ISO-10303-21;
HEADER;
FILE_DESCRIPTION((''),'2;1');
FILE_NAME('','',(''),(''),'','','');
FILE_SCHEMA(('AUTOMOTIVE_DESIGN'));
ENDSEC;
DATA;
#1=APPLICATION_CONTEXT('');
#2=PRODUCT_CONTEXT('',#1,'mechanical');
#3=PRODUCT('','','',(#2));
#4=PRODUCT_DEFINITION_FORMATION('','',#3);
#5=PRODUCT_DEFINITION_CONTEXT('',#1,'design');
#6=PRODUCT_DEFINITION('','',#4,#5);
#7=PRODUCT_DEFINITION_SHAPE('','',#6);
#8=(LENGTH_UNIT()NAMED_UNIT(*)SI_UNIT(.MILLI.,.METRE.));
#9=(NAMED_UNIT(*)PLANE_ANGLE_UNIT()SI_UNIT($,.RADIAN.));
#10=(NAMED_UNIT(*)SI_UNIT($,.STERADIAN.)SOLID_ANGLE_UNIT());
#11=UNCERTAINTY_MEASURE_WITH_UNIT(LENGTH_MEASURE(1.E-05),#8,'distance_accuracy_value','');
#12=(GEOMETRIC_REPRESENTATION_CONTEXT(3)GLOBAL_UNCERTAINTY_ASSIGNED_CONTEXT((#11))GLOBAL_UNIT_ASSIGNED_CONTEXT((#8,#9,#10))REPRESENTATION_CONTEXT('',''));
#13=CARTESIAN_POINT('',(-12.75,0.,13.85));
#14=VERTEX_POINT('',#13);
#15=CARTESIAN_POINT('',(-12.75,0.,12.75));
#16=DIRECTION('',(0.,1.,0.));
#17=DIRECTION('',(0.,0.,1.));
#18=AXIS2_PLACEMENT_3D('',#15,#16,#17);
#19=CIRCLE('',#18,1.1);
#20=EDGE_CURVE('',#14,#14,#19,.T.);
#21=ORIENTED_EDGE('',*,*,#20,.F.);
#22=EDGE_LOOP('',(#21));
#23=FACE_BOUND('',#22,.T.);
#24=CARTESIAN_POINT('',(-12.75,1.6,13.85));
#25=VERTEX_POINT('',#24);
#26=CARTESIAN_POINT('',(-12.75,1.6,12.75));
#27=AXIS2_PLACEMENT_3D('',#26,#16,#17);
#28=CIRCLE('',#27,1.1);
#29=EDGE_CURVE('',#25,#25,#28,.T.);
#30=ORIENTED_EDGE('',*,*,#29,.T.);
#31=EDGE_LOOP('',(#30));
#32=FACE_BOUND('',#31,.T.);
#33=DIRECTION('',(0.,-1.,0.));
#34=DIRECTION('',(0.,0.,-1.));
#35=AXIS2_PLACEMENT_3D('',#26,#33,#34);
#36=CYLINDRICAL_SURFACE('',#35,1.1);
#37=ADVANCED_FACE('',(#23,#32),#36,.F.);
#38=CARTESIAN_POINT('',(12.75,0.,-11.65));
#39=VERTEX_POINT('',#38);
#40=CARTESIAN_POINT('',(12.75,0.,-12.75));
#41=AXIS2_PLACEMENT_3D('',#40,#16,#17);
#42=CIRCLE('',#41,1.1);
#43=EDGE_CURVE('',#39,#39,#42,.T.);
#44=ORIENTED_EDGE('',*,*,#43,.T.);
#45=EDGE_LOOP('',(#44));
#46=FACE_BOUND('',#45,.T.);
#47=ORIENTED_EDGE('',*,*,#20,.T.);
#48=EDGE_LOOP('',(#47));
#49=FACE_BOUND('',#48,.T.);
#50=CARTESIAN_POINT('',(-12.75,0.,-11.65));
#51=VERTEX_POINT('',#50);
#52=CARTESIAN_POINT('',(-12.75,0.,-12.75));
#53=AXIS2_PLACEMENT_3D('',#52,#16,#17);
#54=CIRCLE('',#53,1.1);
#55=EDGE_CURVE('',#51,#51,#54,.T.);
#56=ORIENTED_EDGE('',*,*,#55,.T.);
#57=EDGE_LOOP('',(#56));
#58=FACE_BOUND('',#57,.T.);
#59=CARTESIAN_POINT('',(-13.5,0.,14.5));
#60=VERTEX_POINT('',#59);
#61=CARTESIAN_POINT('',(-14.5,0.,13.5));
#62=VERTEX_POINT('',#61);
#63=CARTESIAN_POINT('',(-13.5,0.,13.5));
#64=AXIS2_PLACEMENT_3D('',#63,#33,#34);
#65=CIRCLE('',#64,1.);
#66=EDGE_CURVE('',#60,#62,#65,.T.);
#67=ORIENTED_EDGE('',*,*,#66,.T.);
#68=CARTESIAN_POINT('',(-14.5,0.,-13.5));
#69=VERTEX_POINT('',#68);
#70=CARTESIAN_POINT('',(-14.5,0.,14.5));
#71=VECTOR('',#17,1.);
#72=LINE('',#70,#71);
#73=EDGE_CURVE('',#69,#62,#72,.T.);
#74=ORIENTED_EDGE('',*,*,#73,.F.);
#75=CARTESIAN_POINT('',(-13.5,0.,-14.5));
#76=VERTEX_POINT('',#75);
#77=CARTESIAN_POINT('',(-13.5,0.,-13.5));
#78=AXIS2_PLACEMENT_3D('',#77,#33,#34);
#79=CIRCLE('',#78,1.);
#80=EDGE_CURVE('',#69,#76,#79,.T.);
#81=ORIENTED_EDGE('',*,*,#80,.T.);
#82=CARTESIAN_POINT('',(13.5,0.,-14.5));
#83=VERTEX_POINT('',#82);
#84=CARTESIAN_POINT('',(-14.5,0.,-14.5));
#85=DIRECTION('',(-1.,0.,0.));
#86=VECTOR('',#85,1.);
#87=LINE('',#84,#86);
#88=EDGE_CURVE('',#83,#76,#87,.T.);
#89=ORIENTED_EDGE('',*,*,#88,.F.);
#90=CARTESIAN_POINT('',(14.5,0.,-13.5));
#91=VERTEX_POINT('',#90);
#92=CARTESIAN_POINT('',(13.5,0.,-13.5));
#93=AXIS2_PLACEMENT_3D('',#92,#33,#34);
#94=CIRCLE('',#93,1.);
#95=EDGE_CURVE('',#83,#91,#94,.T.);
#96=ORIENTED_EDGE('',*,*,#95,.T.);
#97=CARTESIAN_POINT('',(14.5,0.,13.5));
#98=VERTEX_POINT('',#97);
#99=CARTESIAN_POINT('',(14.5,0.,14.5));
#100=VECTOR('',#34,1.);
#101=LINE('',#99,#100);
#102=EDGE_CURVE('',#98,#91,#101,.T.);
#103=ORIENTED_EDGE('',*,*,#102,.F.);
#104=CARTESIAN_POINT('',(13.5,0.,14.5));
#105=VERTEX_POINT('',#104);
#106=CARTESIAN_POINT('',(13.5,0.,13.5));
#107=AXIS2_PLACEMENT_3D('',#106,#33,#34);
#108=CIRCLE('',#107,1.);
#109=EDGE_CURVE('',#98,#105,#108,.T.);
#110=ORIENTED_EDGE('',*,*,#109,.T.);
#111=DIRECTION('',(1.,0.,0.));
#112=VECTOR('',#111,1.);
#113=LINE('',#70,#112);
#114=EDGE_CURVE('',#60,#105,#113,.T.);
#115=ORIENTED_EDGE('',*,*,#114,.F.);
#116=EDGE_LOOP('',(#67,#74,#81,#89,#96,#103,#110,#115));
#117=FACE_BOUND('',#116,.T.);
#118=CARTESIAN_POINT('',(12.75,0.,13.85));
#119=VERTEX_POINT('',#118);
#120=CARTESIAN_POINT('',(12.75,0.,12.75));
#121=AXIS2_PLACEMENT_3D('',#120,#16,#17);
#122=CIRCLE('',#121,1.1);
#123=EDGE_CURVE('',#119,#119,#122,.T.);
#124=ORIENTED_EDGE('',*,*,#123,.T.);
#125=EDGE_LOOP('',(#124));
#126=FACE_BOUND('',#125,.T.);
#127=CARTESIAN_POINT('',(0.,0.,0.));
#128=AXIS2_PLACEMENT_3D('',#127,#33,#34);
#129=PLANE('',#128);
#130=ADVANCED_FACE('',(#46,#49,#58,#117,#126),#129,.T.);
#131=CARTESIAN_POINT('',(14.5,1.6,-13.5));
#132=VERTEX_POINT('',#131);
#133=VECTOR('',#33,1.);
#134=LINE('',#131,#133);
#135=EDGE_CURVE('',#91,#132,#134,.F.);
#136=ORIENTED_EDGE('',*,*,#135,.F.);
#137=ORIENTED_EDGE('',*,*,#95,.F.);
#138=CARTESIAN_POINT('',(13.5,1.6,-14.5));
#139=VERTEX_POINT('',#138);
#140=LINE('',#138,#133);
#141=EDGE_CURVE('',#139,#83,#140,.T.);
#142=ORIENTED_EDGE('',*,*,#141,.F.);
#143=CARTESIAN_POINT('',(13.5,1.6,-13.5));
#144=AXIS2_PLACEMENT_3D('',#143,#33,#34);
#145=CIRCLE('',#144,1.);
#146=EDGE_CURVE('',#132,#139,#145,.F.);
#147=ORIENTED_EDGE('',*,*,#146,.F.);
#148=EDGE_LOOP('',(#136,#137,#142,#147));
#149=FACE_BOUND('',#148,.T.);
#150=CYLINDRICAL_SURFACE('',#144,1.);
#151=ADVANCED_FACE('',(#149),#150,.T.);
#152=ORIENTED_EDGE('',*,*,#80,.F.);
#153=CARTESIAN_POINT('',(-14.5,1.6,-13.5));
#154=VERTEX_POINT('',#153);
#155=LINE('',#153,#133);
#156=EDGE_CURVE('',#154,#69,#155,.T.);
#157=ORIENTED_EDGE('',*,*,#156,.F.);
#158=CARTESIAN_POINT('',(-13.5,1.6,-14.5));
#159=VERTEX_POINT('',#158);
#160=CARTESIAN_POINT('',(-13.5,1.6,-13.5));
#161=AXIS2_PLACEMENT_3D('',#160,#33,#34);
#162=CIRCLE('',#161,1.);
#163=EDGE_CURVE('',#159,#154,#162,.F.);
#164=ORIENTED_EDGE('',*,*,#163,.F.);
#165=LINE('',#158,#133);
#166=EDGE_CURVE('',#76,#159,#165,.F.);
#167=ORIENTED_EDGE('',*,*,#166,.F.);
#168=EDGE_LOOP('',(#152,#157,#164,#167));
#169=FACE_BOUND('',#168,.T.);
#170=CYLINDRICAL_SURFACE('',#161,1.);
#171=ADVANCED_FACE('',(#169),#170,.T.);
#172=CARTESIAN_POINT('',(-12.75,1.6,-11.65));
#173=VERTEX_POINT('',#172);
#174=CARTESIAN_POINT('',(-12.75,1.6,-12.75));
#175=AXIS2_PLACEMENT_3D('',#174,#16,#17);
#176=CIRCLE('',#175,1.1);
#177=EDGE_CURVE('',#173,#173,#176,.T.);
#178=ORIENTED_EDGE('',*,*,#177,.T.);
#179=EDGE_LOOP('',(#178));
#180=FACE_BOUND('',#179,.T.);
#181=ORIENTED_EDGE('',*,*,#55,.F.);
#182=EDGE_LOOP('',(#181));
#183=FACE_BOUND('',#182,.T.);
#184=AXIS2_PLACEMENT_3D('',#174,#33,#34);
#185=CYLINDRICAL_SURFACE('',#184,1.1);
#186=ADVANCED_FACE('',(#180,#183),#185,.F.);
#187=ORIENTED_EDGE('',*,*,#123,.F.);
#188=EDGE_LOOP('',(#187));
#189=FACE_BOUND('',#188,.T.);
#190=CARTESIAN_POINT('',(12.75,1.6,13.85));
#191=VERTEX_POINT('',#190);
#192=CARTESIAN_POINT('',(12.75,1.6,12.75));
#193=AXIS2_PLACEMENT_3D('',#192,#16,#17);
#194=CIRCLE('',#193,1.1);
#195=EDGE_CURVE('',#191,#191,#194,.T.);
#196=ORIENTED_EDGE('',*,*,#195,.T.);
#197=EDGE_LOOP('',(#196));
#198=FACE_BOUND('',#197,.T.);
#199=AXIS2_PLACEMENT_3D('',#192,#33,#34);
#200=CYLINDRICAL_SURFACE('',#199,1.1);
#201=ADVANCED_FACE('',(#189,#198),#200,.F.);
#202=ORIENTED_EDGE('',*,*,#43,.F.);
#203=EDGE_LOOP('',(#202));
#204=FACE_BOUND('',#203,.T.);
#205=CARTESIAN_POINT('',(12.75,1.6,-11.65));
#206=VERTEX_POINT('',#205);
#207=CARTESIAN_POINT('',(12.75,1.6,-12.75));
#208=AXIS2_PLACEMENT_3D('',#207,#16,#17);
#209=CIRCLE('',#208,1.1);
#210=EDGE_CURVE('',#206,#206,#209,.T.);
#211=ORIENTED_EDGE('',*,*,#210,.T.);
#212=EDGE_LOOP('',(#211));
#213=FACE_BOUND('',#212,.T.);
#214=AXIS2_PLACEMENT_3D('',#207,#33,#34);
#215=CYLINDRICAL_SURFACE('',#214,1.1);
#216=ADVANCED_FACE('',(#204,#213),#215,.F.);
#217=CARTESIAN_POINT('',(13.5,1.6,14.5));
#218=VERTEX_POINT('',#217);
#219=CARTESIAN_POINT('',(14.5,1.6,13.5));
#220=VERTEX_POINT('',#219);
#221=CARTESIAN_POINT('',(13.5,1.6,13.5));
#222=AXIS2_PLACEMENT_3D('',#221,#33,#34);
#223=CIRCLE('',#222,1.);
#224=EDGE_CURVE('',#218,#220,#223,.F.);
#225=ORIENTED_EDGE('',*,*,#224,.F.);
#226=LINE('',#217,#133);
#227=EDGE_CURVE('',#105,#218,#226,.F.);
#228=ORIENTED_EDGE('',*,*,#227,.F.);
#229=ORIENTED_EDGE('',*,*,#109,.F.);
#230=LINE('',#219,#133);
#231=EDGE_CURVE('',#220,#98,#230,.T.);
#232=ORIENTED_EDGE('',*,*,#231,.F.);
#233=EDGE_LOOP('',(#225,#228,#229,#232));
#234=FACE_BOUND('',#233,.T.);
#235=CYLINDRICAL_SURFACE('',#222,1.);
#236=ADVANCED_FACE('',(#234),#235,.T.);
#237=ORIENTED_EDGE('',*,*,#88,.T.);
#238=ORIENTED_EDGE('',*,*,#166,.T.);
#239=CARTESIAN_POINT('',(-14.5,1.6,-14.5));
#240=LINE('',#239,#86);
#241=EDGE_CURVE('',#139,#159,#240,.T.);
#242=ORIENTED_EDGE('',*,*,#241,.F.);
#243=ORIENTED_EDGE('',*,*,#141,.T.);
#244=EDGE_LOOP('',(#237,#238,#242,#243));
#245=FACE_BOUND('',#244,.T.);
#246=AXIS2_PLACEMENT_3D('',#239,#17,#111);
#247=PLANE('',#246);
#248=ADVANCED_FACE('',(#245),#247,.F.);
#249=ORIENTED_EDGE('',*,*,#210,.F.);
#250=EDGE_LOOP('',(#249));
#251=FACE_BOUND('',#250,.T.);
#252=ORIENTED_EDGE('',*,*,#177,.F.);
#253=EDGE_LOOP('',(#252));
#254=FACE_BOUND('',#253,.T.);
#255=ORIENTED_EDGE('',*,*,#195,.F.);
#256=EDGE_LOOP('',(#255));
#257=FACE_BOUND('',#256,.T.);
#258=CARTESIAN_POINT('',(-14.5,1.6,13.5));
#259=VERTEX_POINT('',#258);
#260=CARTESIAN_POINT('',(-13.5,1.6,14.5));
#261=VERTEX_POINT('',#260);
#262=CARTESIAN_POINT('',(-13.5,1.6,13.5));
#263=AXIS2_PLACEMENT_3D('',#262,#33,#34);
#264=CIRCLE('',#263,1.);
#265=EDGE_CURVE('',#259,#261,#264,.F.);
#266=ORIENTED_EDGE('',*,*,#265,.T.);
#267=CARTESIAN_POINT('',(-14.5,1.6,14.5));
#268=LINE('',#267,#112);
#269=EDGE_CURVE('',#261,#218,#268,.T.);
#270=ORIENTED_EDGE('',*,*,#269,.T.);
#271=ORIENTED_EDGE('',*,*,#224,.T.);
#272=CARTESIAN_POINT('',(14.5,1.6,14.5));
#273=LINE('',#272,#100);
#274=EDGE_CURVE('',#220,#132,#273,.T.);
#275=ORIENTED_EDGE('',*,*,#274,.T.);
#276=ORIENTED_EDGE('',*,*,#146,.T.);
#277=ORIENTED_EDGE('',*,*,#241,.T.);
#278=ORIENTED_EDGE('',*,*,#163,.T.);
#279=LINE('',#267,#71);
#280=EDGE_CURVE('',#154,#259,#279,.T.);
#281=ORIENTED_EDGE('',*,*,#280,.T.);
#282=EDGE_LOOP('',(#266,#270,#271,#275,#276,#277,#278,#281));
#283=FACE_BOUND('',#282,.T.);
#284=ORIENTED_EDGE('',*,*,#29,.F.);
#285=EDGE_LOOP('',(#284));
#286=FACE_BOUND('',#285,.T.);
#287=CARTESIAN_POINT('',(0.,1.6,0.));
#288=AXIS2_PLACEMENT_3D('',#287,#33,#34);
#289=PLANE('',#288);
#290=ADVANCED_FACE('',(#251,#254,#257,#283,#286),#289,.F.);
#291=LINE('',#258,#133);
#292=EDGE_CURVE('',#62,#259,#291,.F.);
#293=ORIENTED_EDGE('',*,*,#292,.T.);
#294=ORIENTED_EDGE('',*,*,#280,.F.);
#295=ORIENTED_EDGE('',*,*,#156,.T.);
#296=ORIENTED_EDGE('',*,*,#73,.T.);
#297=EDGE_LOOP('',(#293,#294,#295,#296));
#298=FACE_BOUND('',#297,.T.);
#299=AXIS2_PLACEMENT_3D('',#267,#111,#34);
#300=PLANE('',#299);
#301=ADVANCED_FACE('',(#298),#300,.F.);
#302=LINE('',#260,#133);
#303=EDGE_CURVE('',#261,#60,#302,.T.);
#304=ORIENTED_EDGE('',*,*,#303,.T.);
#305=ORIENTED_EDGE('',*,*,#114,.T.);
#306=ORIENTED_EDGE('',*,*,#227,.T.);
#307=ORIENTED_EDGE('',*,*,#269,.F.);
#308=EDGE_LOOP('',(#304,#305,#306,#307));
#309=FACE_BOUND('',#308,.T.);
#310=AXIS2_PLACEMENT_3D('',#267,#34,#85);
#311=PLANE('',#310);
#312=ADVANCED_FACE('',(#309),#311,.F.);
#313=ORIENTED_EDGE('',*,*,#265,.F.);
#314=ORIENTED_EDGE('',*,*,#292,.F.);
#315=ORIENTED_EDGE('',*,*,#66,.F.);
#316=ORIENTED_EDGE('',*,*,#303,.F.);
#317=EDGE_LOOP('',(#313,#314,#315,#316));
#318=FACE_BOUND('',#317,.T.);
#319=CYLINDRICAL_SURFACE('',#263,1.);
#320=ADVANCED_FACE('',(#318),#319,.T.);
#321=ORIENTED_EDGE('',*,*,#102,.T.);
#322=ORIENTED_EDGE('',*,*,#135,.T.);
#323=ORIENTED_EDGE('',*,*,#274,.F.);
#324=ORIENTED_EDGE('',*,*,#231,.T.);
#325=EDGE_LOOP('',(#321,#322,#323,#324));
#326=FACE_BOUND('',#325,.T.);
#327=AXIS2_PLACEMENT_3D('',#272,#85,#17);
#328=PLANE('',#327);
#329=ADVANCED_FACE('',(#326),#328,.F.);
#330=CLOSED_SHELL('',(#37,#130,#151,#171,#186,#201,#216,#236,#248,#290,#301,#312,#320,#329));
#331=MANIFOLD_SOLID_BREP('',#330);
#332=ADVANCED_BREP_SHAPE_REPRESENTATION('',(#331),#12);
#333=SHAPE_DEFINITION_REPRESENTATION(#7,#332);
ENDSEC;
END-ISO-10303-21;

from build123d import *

# Parameters (mm, degrees)
SKIZZE1_W                       = 29
SKIZZE1_H                       = 29
SKIZZE1_R                       = 1.1
AUFSATZ_LINEAR_AUSTRAGEN1_DEPTH = 1.6
VERRUNDUNG1_R                   = 1


with BuildPart() as part:
    # Skizze1 → Aufsatz-Linear austragen1 (new body)
    with BuildSketch(Plane(origin=(0, 0, 0), x_dir=(1, 0, 0), z_dir=(0, 1, 0))):
        Rectangle(SKIZZE1_W, SKIZZE1_H)
        with Locations((-12.75, 12.75)):
            Circle(SKIZZE1_R, mode=Mode.SUBTRACT)
        with Locations((12.75, 12.75)):
            Circle(SKIZZE1_R, mode=Mode.SUBTRACT)
        with Locations((12.75, -12.75)):
            Circle(SKIZZE1_R, mode=Mode.SUBTRACT)
        with Locations((-12.75, -12.75)):
            Circle(SKIZZE1_R, mode=Mode.SUBTRACT)
    extrude(amount=AUFSATZ_LINEAR_AUSTRAGEN1_DEPTH)

    # Verrundung1
    verrundung1_edges = [part.edges().sort_by_distance(p)[0] for p in [
        (14.5, 0.8, 14.5),
        (-14.5, 0.8, 14.5),
        (-14.5, 0.8, -14.5),
        (14.5, 0.8, -14.5),
    ]]
    fillet(verrundung1_edges, radius=VERRUNDUNG1_R)


solid = part.part
